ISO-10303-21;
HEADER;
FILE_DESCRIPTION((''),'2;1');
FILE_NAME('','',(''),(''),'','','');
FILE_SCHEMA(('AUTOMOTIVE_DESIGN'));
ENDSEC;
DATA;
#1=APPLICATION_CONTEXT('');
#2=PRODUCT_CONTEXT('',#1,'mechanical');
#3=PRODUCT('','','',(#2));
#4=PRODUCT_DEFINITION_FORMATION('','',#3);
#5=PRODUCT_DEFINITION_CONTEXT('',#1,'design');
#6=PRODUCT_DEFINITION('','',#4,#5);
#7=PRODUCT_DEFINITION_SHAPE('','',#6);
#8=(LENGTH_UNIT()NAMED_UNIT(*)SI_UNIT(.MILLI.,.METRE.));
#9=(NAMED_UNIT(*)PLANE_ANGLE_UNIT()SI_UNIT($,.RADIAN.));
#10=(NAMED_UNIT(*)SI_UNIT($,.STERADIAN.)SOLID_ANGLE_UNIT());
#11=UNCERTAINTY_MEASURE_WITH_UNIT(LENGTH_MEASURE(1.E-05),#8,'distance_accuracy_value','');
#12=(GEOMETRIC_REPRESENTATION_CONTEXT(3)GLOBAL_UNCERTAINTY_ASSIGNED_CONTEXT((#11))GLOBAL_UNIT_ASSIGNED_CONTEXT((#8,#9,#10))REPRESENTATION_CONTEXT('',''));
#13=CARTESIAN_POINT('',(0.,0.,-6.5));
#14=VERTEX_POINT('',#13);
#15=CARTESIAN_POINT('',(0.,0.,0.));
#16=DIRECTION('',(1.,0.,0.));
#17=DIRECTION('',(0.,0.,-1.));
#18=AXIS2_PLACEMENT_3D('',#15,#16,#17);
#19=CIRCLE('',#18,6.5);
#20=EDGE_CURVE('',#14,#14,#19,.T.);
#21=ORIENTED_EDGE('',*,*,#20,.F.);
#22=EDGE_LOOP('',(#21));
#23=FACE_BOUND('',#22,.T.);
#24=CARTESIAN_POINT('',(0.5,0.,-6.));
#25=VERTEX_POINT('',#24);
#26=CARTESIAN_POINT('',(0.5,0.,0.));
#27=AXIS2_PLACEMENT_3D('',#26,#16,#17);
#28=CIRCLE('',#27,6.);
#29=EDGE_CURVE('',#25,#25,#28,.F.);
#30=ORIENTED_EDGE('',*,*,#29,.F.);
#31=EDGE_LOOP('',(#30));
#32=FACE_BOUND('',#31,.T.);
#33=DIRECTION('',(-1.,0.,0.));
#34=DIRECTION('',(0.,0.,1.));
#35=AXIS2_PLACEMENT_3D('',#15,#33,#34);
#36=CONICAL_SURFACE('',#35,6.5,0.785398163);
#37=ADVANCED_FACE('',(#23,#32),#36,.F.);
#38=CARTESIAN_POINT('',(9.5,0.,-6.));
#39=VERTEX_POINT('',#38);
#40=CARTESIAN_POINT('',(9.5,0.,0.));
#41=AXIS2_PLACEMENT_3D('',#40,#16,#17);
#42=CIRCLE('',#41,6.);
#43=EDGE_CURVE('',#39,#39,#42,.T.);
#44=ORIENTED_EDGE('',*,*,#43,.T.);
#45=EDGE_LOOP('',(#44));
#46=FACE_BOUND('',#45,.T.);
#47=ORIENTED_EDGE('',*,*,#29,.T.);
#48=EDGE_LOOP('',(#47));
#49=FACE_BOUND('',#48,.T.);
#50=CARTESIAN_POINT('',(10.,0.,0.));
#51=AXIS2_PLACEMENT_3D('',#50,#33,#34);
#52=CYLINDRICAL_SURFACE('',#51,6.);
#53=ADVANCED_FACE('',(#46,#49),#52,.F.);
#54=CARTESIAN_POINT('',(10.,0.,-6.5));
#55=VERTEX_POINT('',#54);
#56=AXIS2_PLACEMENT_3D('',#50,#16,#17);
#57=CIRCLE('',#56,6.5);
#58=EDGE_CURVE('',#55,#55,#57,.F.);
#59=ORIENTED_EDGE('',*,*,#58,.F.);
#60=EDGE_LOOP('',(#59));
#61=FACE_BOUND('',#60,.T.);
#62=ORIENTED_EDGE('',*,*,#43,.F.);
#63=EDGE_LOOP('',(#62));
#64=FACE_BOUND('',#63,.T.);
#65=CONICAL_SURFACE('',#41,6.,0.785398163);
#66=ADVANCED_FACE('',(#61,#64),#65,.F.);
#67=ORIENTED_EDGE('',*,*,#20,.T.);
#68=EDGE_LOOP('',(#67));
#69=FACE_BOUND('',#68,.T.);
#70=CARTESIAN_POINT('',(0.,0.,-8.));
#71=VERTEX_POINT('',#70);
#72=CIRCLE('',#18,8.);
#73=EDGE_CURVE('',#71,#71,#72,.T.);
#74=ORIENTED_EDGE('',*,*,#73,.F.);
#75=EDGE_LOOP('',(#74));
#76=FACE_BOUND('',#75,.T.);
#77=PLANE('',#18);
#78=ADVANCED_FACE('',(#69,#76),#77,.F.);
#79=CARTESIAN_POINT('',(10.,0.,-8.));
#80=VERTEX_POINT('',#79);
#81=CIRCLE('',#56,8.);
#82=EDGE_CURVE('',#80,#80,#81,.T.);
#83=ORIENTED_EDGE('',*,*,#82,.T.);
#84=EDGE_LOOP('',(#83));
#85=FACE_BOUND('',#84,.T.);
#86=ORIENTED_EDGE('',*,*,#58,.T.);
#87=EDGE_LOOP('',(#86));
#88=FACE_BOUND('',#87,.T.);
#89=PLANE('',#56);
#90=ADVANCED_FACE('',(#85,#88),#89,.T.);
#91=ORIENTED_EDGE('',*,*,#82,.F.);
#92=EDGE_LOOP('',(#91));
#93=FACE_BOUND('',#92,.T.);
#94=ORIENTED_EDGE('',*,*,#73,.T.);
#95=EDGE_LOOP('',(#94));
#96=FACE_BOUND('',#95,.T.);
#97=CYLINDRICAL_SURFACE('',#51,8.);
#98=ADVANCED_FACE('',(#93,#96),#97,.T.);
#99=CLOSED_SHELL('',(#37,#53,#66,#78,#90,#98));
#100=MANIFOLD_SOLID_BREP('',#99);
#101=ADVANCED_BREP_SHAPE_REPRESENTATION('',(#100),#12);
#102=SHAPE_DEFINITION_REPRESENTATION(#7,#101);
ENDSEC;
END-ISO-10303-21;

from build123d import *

# Parameters (mm, degrees)
SZKIC1_R                    = 8
SZKIC1_R_2                  = 6
DODANIE_WYCI_GNI_CIE1_DEPTH = 10
SFAZOWANIE1_SIZE            = 0.5


with BuildPart() as part:
    # Szkic1 → Dodanie-wyciągnięcie1 (new body)
    with BuildSketch(Plane(origin=(0, 0, 0), x_dir=(0, 0, -1), z_dir=(1, 0, 0))):
        Circle(SZKIC1_R)
        Circle(SZKIC1_R_2, mode=Mode.SUBTRACT)
    extrude(amount=DODANIE_WYCI_GNI_CIE1_DEPTH)

    # Sfazowanie1
    sfazowanie1_edges = [part.edges().sort_by_distance(p)[0] for p in [
        (0, 0, 6),
        (10, 0, 6),
    ]]
    chamfer(sfazowanie1_edges, length=SFAZOWANIE1_SIZE)


solid = part.part
